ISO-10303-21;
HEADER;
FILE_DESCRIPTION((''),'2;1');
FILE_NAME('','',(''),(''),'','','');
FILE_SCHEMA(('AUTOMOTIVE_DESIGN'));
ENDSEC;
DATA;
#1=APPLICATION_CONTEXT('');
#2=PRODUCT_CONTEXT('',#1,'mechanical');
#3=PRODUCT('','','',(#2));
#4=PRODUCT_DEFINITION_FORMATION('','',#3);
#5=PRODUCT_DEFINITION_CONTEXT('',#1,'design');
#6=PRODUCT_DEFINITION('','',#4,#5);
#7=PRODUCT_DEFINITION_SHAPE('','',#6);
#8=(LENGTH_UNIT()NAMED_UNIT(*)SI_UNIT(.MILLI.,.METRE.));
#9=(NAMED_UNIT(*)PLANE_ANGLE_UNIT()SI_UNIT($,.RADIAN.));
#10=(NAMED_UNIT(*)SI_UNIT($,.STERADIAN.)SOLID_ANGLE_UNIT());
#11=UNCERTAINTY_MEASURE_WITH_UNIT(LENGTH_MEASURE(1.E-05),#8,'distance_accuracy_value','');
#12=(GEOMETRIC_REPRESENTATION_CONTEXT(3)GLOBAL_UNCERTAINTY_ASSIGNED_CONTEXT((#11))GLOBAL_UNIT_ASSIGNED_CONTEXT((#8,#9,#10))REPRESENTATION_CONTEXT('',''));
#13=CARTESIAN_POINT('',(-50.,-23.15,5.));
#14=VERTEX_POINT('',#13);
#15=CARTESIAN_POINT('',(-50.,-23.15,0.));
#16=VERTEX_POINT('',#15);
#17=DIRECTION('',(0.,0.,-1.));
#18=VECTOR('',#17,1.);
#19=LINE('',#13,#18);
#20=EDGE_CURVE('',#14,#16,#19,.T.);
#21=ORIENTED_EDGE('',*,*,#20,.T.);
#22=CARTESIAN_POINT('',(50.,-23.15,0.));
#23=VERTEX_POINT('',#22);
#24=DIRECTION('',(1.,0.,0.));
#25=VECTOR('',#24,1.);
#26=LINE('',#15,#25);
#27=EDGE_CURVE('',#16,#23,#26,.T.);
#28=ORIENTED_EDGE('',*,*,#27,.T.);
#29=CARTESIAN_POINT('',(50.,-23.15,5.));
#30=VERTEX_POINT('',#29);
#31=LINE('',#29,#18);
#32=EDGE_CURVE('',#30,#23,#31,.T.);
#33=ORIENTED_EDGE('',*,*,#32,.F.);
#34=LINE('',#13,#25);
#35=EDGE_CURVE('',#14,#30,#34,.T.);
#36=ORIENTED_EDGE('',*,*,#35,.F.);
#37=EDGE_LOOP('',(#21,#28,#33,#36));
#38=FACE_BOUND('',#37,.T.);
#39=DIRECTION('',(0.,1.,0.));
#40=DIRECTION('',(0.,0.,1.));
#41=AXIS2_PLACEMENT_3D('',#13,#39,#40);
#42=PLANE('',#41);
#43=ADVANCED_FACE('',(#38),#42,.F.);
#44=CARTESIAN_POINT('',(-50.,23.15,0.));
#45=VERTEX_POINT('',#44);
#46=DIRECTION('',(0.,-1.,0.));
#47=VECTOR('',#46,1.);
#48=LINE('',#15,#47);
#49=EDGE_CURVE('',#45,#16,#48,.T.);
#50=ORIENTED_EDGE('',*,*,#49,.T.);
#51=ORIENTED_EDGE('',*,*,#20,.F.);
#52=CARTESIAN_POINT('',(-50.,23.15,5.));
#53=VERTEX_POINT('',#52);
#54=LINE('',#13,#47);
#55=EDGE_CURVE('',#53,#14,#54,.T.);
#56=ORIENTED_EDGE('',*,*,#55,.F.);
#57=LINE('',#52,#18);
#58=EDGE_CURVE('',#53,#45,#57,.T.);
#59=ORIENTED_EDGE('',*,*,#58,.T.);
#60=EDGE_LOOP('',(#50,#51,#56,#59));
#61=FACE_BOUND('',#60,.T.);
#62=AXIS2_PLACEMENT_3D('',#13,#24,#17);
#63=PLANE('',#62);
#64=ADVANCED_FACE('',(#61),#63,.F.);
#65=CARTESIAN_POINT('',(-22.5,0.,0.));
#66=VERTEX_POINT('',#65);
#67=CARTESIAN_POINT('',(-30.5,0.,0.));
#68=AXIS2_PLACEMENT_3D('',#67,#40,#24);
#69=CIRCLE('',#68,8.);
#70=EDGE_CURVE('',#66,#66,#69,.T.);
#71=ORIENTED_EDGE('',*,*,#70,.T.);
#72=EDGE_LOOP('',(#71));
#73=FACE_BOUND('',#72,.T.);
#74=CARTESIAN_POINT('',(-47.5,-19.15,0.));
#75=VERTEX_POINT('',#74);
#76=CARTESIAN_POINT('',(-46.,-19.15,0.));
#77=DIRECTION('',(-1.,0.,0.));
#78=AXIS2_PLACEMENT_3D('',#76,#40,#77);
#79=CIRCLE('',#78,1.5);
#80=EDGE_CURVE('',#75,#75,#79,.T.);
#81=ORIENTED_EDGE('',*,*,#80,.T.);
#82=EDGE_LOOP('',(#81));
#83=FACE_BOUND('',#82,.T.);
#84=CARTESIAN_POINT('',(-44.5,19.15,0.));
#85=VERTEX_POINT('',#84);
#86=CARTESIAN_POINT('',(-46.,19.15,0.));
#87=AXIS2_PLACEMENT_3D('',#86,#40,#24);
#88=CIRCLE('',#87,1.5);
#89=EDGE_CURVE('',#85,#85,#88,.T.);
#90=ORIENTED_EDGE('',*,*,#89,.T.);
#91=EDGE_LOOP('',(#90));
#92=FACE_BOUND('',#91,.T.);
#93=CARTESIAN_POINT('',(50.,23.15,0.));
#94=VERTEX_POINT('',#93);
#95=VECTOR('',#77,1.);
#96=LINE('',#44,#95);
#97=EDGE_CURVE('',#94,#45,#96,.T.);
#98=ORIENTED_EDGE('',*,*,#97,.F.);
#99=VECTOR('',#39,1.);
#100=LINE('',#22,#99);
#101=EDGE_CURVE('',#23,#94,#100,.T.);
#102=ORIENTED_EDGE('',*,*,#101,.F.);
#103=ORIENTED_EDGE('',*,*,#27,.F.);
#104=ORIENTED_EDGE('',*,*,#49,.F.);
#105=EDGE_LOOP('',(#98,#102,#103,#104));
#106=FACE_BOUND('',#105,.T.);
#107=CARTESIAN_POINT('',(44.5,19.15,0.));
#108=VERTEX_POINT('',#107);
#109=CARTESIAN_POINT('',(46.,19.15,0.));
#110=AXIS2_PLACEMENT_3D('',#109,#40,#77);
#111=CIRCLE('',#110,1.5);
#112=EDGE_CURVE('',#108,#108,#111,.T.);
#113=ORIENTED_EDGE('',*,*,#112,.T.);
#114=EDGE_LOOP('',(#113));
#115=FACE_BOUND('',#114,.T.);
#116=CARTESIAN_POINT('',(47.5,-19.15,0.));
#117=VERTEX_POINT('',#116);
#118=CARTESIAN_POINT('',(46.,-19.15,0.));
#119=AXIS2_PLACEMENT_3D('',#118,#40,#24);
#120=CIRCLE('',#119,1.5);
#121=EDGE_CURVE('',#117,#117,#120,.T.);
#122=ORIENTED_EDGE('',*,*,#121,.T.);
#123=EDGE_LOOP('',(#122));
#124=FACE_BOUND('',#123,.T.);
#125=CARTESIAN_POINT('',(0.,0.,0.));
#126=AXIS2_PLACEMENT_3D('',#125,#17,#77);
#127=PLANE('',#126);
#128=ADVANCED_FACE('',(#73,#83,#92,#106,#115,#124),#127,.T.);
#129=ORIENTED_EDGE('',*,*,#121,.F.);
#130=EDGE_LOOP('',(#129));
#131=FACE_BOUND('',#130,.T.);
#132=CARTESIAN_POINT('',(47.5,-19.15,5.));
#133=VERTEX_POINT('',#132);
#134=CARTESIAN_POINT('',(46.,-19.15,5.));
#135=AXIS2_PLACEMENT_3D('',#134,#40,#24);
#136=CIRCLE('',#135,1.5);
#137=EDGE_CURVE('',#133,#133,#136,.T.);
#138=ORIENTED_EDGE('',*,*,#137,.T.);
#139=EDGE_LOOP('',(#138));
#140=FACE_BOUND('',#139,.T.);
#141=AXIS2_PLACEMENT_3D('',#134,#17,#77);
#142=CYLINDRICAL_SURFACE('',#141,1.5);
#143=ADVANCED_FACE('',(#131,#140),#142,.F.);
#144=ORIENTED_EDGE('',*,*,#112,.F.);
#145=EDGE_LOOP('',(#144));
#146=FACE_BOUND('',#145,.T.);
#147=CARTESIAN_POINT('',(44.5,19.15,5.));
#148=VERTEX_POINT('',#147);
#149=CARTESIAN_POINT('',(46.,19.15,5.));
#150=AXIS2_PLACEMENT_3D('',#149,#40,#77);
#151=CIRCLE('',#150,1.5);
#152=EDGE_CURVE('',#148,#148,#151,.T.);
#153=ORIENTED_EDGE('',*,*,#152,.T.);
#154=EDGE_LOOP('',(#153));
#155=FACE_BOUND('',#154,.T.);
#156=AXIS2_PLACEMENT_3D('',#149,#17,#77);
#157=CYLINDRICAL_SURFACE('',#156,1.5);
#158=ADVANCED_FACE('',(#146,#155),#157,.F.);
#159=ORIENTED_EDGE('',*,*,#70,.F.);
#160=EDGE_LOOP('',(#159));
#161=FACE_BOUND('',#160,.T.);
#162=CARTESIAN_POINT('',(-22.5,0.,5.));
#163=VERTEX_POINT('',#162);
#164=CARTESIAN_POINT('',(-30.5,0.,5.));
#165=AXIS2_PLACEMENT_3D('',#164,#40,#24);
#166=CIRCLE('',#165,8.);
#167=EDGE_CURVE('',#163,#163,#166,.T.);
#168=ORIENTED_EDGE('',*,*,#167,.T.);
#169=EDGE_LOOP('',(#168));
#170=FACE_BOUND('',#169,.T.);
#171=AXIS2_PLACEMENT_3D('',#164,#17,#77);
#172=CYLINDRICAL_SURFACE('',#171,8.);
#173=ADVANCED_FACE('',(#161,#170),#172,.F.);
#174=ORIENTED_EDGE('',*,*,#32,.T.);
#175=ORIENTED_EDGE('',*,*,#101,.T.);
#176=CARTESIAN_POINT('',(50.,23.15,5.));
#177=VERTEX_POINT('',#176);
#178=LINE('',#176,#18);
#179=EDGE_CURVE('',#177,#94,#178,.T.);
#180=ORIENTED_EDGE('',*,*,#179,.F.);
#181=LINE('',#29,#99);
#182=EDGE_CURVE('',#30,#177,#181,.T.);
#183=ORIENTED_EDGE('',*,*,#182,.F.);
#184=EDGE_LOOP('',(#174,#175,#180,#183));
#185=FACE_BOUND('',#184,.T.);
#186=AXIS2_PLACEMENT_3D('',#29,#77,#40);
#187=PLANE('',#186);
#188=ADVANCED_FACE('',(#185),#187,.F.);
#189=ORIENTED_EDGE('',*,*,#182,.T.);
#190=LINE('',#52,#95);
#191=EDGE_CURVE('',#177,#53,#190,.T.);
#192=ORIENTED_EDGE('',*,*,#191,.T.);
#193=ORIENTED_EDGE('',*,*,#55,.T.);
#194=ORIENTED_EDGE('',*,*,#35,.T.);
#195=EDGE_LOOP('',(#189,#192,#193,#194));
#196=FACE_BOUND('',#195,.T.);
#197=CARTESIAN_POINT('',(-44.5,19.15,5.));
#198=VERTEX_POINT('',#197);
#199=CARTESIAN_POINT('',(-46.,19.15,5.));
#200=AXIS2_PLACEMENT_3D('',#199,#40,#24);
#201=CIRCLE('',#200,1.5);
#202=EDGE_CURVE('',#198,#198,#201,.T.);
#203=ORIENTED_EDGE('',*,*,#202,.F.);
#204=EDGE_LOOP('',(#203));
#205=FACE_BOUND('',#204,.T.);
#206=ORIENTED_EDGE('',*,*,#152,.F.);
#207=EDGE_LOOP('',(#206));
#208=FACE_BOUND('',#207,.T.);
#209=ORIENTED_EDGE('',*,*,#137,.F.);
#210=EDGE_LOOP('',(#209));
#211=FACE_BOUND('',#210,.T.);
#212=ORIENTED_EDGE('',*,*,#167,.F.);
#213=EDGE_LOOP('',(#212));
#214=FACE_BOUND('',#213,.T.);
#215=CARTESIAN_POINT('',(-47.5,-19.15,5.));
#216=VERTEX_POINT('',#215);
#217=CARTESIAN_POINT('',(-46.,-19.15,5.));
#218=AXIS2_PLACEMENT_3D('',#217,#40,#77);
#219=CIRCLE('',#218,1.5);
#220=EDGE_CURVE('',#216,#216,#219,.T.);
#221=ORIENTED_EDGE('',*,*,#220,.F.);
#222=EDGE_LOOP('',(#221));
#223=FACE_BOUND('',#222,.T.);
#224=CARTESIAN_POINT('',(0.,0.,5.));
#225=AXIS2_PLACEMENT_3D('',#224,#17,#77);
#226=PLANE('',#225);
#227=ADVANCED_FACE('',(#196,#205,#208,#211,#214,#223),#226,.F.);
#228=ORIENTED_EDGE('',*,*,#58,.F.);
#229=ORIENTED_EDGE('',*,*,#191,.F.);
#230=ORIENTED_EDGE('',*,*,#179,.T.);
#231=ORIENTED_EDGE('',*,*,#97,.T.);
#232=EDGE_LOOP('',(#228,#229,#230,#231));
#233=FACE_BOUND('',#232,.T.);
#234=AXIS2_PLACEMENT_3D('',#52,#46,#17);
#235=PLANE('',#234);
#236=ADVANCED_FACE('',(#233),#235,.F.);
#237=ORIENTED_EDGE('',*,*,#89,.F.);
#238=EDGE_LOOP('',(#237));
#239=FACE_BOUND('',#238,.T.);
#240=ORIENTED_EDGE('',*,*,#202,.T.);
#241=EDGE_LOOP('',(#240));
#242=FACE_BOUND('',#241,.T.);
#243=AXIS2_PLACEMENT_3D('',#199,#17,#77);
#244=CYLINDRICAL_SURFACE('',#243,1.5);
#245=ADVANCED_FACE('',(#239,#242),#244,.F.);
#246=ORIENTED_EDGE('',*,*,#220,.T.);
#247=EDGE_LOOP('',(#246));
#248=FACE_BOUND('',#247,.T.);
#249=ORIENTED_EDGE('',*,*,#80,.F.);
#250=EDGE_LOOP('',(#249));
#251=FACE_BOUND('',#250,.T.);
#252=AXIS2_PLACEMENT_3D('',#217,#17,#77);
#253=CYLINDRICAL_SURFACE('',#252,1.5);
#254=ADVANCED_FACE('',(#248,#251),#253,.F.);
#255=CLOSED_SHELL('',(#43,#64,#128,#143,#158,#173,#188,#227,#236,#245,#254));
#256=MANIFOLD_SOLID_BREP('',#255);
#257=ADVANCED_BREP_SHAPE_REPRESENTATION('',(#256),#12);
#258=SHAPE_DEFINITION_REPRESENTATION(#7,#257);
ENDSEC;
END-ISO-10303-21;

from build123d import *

# Parameters (mm, degrees)
SKETCH1_W           = 100
SKETCH1_H           = 46.3
SKETCH1_R           = 1.5
SKETCH1_R_2         = 8
BOSS_EXTRUDE1_DEPTH = 5


with BuildPart() as part:
    # Sketch1 → Boss-Extrude1 (new body)
    with BuildSketch(Plane.XY):
        Rectangle(SKETCH1_W, SKETCH1_H)
        with Locations(Location((46, 19.15, 0), (0, 0, 180))):
            Circle(SKETCH1_R, mode=Mode.SUBTRACT)
        with Locations((-46, 19.15)):
            Circle(SKETCH1_R, mode=Mode.SUBTRACT)
        with Locations((46, -19.15)):
            Circle(SKETCH1_R, mode=Mode.SUBTRACT)
        with Locations(Location((-46, -19.15, 0), (0, 0, 180))):
            Circle(SKETCH1_R, mode=Mode.SUBTRACT)
        with Locations((-30.5, 0)):
            Circle(SKETCH1_R_2, mode=Mode.SUBTRACT)
    extrude(amount=BOSS_EXTRUDE1_DEPTH)


solid = part.part
